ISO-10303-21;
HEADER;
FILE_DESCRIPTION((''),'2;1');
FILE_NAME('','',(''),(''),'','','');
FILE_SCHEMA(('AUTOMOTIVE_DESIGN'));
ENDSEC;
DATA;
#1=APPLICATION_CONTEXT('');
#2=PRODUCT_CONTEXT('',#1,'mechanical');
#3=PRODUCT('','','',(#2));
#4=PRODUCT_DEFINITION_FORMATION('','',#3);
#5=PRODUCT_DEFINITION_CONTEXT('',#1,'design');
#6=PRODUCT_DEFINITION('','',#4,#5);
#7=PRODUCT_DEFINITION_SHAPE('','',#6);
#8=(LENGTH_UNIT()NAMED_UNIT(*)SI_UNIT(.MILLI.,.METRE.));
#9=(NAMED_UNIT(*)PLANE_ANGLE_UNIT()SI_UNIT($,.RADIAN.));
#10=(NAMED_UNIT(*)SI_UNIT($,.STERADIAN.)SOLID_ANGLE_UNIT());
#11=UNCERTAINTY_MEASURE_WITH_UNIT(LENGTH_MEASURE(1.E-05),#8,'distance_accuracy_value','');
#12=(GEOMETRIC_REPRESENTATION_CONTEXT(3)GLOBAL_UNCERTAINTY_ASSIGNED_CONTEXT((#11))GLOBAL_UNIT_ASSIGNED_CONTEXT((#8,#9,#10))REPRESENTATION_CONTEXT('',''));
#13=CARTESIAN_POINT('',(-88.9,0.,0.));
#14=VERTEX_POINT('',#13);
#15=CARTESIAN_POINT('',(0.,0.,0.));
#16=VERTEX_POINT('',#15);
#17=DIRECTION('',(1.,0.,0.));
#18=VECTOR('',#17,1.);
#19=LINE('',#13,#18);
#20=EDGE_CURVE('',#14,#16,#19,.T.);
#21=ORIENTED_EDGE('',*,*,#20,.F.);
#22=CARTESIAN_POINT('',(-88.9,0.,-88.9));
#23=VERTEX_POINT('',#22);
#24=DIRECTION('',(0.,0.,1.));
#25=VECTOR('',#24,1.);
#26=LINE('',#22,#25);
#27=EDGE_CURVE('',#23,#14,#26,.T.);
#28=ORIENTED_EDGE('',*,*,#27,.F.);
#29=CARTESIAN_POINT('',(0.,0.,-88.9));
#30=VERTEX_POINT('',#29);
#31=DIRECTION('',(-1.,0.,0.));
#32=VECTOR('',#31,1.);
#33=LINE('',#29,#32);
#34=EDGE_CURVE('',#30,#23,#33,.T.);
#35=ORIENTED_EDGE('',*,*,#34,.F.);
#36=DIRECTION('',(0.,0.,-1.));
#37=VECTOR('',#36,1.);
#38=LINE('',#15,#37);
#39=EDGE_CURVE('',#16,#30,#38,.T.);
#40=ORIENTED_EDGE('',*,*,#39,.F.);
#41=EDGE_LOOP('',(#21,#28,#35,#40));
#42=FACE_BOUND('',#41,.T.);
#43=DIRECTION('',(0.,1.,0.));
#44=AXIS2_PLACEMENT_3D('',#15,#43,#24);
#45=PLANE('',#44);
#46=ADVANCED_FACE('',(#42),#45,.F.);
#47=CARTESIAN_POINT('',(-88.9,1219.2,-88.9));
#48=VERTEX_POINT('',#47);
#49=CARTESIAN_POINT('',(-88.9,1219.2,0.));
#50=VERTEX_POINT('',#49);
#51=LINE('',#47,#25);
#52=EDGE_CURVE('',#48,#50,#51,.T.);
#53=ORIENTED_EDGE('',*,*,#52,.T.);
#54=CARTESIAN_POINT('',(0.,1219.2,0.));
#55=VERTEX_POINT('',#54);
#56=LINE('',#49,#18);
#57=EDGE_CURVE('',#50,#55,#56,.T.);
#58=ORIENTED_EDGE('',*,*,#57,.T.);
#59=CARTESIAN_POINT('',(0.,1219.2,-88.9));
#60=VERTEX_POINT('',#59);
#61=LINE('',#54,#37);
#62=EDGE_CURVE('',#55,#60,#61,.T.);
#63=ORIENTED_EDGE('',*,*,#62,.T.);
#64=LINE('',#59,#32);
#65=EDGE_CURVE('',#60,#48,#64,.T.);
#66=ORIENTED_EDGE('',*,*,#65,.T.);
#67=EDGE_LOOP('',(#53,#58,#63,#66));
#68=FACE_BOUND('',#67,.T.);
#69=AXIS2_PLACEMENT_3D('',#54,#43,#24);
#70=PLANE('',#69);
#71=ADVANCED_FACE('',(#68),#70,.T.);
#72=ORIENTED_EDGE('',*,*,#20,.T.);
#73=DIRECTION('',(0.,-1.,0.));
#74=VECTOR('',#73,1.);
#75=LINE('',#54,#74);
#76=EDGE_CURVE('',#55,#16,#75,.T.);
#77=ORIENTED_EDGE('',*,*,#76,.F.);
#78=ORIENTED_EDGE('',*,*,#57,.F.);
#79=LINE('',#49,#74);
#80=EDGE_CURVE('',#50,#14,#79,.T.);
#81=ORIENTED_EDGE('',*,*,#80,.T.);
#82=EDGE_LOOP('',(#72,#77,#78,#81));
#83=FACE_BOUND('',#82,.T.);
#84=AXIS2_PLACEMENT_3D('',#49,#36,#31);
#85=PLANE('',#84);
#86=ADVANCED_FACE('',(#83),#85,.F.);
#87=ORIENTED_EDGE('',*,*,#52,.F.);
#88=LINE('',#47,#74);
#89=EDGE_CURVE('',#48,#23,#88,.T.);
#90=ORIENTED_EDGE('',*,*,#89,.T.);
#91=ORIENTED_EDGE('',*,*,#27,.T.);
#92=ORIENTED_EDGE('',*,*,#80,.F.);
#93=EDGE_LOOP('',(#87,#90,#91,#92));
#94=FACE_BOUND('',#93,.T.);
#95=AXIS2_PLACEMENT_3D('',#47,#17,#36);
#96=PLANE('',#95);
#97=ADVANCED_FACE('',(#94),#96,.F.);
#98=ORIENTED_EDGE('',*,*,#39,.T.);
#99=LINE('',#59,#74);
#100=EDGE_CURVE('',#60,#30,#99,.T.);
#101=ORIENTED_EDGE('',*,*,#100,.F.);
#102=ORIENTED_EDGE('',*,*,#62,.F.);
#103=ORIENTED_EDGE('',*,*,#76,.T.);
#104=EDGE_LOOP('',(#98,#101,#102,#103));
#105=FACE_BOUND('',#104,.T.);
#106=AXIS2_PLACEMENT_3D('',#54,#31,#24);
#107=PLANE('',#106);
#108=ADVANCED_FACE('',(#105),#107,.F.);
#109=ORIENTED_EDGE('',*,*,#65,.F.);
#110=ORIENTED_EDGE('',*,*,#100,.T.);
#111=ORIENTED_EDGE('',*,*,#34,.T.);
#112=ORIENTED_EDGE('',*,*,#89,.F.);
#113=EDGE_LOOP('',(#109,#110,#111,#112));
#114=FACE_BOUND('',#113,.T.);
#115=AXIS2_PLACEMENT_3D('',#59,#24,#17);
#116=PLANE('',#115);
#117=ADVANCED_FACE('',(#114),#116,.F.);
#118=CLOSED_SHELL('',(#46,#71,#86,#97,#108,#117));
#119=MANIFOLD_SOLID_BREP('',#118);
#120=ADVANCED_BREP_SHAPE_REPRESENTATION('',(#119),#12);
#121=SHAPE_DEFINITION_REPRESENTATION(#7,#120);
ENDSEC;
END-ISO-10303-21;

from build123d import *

# Parameters (mm, degrees)
SKETCH1_W           = 88.9
SKETCH1_H           = 88.9
BOSS_EXTRUDE1_DEPTH = 1219.2


with BuildPart() as part:
    # Sketch1 → Boss-Extrude1 (new body)
    with BuildSketch(Plane(origin=(0, 0, 0), x_dir=(1, 0, 0), z_dir=(0, 1, 0))):
        with Locations((-44.45, 44.45)):
            Rectangle(SKETCH1_W, SKETCH1_H)
    extrude(amount=BOSS_EXTRUDE1_DEPTH)


solid = part.part
